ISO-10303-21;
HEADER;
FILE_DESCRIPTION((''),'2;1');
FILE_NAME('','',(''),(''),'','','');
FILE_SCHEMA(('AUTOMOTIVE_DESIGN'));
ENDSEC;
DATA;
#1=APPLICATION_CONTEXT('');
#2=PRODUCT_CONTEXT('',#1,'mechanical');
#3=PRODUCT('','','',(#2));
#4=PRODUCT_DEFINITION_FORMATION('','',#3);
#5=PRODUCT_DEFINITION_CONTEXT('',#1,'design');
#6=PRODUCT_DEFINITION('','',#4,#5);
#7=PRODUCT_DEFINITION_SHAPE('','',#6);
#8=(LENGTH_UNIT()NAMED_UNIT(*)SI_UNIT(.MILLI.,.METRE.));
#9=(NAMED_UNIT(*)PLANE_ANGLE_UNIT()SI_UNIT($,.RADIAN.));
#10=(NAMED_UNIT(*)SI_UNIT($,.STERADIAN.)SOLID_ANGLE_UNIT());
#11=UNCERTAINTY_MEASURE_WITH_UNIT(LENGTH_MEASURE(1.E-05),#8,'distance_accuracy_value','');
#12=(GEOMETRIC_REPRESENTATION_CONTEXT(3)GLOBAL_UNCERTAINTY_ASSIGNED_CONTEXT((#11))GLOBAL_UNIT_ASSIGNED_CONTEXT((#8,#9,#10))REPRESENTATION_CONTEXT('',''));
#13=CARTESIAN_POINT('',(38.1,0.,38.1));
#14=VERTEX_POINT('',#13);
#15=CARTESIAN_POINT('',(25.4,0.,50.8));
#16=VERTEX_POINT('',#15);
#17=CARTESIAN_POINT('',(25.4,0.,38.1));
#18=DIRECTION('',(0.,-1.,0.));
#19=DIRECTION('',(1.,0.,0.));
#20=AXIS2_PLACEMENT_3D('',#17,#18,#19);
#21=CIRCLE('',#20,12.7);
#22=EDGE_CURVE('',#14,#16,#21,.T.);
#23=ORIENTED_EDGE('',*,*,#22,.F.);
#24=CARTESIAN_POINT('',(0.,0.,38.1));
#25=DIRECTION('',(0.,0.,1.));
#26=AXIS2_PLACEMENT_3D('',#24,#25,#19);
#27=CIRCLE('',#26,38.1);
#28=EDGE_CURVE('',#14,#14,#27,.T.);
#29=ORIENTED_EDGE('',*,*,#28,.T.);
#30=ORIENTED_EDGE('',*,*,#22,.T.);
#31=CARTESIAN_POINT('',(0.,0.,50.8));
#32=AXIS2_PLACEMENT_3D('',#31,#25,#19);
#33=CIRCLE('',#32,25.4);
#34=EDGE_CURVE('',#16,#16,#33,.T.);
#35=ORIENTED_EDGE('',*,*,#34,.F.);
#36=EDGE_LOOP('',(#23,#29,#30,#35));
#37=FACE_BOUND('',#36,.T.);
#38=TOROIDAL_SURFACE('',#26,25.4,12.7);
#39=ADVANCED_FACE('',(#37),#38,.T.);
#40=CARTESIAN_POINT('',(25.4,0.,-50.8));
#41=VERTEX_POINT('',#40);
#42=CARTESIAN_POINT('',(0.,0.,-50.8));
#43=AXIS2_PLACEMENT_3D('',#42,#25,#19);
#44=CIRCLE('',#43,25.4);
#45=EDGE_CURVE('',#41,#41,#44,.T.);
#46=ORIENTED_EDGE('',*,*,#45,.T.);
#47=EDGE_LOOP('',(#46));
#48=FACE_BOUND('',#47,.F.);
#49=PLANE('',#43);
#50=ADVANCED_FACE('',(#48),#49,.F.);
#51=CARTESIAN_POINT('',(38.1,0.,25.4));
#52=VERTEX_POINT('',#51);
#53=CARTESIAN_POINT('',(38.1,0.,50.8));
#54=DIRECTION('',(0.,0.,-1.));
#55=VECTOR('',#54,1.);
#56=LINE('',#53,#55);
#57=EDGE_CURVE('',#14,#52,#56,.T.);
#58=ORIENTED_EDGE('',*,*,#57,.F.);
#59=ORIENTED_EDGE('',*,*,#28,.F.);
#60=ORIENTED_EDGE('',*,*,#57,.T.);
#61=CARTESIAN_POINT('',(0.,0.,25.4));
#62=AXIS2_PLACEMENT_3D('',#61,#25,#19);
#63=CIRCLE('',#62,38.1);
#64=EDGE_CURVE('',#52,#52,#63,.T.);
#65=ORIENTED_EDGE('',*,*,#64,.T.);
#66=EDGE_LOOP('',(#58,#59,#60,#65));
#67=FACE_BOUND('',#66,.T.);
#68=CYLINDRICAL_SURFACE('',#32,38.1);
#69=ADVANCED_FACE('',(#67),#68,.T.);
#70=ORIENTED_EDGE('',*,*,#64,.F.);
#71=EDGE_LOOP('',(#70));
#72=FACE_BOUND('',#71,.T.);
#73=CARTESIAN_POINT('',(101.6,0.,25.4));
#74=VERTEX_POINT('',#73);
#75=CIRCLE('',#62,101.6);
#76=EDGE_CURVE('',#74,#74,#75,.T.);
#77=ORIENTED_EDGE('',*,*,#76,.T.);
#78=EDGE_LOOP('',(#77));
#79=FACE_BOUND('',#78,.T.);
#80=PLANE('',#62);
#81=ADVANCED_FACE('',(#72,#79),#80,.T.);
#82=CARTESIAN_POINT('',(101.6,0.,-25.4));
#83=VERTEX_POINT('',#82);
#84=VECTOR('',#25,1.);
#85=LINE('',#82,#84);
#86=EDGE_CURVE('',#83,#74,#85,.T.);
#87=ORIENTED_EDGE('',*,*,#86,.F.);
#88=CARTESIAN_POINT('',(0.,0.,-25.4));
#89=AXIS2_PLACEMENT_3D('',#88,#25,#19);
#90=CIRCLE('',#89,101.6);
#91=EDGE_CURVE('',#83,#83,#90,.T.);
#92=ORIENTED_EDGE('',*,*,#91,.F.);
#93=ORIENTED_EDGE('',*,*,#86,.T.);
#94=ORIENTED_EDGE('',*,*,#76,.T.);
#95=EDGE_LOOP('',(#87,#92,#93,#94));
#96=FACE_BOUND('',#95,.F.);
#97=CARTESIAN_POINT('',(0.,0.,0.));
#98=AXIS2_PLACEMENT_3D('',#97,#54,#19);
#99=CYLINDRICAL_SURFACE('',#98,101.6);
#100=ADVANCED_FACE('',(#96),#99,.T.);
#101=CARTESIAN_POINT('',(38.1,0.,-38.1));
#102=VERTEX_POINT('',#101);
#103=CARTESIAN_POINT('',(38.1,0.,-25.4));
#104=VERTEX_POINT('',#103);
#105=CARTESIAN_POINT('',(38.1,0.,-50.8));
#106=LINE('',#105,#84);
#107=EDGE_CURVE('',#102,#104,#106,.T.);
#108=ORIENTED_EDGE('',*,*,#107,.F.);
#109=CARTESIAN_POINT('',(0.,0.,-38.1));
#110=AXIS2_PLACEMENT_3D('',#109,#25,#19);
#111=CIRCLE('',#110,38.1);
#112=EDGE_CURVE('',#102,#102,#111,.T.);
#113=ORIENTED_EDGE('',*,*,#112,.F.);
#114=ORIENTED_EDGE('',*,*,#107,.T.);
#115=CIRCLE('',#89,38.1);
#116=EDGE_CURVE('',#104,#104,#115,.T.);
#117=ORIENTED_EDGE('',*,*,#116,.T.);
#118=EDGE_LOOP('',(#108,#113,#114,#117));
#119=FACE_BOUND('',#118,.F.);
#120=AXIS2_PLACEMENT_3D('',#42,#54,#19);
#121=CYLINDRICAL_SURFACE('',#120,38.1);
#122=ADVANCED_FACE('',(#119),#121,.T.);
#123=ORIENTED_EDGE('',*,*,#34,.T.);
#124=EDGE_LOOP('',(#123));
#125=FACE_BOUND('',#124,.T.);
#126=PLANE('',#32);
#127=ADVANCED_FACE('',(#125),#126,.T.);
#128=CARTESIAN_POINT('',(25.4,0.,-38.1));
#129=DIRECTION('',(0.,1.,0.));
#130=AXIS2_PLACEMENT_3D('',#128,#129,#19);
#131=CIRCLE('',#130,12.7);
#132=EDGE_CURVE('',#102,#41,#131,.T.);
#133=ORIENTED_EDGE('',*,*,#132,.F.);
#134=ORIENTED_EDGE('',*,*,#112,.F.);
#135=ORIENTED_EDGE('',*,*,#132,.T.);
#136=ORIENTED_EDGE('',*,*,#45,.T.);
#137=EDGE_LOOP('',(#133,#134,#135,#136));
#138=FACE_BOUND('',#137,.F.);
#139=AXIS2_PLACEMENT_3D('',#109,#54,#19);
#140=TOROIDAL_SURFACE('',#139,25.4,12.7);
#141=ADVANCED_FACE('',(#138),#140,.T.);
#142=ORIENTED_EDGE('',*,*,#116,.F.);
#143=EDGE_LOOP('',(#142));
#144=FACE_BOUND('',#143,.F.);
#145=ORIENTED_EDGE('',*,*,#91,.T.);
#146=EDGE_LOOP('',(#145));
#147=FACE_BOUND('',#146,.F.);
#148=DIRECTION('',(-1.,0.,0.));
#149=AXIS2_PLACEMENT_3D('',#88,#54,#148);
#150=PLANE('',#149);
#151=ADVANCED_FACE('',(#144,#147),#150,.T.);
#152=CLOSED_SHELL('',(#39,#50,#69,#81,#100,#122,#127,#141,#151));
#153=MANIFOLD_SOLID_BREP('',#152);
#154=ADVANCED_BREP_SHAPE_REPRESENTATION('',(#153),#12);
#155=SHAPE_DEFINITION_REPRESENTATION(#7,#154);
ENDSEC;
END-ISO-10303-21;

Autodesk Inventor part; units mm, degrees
ref_plane "YZ Plane" through (0, 0, 0) normal (1, 0, 0) x (0, 1, 0)
ref_plane "XZ Plane" through (0, 0, 0) normal (0, 1, 0) x (-1, 0, 0)
ref_plane "XY Plane" through (0, 0, 0) normal (0, 0, 1) x (1, 0, 0)
sketch "Sketch1" plane through (0, 0, 0) normal (0, 0, 1) x (1, 0, 0)
  circle A0 centre (0, 0) radius 101.6
  dimension "d0" = 203.2
extrude "Extrusion1" add sketch "Sketch1" along normal mid plane 101.6
sketch "Sketch2" plane through (0, 0, 50.8) normal (0, 0, 1) x (1, 0, 0)
  circle A0 centre (0, 0) radius 101.6 projected
  circle A1 centre (0, 0) radius 101.6
  circle A2 centre (0, 0) radius 38.1
  dimension "d4" = 76.2
extrude "Extrusion2" cut sketch "Sketch2" against normal blind 25.4
mirror "Mirror1" about plane through (0, 0, 0) normal (0, 0, 1) of "Extrusion2"
fillet "Fillet1" radius 12.7 2 edges at (-38.1, 0, 50.8) (-38.1, 0, -50.8)
properties part number "wheel"
